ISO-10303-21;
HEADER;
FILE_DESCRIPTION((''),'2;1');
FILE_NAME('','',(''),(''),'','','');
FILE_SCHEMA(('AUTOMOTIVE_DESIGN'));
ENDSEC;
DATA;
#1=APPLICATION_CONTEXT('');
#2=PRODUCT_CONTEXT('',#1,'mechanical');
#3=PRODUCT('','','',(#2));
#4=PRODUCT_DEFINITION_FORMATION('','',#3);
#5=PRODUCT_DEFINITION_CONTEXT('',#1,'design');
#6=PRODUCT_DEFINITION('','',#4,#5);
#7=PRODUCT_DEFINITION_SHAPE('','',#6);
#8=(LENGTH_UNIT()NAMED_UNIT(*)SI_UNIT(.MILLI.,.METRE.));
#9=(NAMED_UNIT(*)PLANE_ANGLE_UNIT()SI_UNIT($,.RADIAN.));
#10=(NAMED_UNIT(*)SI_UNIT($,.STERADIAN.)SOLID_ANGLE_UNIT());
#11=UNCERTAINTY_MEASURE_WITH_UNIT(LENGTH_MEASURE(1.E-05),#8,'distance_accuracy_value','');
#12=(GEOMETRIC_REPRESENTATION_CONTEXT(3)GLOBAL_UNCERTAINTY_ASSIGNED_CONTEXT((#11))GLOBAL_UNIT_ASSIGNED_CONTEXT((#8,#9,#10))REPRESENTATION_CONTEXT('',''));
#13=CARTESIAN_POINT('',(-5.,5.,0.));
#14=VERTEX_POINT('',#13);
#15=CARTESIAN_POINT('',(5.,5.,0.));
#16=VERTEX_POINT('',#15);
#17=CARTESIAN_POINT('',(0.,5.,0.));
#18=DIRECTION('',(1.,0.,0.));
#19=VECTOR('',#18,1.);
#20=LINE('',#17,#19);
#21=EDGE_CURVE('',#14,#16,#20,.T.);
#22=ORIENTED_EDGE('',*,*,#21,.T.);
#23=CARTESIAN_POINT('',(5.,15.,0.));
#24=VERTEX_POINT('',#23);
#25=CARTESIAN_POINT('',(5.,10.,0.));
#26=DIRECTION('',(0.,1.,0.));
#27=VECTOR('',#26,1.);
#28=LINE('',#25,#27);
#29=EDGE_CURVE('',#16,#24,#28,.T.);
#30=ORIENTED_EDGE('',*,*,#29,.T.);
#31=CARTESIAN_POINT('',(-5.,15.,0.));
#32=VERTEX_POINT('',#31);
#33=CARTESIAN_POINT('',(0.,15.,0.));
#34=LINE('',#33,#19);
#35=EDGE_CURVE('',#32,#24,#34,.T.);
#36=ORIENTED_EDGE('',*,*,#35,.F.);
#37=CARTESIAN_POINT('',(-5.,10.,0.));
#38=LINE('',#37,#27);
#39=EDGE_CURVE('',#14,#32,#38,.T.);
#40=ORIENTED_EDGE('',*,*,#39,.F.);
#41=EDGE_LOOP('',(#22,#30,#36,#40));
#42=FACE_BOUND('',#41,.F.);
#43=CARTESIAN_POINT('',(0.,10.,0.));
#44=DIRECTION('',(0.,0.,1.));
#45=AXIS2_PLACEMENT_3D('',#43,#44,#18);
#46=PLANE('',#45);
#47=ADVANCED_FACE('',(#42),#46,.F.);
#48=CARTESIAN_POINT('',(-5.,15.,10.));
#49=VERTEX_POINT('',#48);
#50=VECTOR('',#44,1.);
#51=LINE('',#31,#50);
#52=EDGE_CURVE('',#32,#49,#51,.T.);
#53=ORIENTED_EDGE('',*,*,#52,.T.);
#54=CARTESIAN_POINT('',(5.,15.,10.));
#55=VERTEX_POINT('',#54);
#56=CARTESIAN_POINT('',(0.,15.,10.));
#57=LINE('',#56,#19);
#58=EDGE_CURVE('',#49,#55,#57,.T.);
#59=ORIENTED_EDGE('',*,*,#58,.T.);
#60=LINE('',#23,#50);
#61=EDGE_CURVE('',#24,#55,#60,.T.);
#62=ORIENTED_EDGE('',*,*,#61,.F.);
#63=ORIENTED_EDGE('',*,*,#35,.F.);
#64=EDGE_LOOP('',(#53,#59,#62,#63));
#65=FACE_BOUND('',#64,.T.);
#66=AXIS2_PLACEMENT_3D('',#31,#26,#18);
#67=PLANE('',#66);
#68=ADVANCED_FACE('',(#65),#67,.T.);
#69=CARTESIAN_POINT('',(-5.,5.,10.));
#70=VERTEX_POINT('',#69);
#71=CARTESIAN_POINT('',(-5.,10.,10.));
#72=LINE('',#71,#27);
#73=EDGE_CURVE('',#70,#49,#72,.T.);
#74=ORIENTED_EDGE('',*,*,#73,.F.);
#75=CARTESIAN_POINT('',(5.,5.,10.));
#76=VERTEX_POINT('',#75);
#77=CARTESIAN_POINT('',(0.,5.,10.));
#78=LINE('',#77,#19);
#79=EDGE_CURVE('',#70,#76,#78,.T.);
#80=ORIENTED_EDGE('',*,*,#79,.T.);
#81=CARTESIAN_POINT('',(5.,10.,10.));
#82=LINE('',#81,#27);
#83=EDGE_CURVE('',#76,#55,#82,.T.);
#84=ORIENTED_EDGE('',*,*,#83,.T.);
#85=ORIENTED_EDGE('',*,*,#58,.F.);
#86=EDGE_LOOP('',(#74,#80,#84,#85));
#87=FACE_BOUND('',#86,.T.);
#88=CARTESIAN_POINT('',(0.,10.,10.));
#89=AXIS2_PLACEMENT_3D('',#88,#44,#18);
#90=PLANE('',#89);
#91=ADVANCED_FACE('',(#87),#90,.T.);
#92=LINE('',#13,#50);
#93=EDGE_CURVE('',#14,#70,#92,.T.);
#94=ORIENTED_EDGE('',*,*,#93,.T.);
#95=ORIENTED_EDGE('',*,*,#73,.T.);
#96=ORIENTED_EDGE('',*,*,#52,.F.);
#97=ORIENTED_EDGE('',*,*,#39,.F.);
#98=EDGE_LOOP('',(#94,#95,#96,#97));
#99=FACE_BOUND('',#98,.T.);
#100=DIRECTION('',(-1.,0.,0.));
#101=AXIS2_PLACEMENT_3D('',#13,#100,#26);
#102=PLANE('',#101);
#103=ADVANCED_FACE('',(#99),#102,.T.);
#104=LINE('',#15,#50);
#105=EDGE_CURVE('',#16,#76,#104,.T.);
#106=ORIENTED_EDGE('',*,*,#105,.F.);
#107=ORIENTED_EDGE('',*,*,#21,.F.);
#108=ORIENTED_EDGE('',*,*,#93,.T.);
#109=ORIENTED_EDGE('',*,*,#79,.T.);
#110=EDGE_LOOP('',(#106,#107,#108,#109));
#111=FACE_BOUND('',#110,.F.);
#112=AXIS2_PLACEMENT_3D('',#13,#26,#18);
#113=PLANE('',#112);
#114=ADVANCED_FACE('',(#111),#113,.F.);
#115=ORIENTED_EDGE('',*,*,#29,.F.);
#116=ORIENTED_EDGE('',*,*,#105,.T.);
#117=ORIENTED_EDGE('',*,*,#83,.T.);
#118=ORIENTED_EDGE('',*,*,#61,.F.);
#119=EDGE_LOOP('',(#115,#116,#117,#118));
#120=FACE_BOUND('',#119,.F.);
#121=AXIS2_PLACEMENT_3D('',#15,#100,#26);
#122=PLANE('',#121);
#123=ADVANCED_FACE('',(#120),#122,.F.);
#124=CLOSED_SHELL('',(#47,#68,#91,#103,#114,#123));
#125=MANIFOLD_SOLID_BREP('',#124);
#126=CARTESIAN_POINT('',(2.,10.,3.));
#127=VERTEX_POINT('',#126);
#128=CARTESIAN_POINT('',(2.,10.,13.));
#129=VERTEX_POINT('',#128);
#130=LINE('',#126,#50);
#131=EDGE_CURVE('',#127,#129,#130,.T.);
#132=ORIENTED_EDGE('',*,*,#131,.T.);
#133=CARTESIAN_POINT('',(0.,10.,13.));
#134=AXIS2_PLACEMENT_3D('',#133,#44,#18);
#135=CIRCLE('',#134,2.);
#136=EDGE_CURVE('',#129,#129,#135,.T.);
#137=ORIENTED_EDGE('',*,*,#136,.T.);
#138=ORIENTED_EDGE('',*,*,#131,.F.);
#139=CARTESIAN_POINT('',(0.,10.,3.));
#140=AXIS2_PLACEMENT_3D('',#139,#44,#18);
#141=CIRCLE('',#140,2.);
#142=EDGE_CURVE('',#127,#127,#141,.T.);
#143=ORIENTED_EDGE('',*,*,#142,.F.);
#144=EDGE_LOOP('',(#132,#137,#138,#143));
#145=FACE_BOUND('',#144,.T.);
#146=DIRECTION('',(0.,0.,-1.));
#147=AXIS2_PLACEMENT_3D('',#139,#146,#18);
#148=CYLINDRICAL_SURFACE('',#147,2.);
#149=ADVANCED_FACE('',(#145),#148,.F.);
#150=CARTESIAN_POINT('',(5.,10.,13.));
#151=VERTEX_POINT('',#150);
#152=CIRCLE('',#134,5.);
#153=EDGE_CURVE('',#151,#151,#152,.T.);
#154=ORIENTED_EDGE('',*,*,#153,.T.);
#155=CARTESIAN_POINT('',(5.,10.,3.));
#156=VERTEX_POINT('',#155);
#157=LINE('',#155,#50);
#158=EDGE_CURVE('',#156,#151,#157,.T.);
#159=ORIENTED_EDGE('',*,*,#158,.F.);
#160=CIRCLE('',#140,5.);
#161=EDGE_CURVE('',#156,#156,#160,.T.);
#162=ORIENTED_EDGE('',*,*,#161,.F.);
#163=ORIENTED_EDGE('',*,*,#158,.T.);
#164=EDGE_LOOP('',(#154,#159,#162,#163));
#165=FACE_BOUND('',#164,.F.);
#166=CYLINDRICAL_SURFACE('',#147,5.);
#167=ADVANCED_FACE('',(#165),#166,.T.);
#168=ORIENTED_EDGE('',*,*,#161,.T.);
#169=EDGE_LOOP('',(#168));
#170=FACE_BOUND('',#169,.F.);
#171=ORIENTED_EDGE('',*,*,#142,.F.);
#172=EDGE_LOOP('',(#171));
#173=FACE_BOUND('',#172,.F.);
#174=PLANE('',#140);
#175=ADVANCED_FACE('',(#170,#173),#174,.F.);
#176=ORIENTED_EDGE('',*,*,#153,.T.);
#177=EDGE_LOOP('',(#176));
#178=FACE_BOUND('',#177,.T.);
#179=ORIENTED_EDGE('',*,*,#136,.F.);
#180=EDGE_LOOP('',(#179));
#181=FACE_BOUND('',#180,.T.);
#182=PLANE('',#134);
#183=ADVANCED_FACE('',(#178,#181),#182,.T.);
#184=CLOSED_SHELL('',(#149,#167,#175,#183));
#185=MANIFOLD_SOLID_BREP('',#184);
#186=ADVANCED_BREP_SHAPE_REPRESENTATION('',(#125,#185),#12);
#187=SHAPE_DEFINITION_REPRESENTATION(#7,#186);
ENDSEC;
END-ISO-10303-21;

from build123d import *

# Parameters (mm, degrees)
BOX_W      = 10
BOX_H      = 10
BOX_DEPTH  = 10
TUBE_R     = 5
TUBE_R_2   = 2
TUBE_DEPTH = 10


with BuildPart() as cubo:
    # Box → Box (new body)
    with BuildSketch(Plane(origin=(-5, 5, 0), x_dir=(1, 0, 0), z_dir=(0, 0, 1))):
        with Locations((5, 5)):
            Rectangle(BOX_W, BOX_H)
    extrude(amount=BOX_DEPTH)


with BuildPart() as tube:
    # Tube → Tube (new body)
    with BuildSketch(Plane(origin=(0, 10, 3), x_dir=(1, 0, 0), z_dir=(0, 0, 1))):
        Circle(TUBE_R)
        Circle(TUBE_R_2, mode=Mode.SUBTRACT)
    extrude(amount=TUBE_DEPTH)


solid = Compound([cubo.part, tube.part])
